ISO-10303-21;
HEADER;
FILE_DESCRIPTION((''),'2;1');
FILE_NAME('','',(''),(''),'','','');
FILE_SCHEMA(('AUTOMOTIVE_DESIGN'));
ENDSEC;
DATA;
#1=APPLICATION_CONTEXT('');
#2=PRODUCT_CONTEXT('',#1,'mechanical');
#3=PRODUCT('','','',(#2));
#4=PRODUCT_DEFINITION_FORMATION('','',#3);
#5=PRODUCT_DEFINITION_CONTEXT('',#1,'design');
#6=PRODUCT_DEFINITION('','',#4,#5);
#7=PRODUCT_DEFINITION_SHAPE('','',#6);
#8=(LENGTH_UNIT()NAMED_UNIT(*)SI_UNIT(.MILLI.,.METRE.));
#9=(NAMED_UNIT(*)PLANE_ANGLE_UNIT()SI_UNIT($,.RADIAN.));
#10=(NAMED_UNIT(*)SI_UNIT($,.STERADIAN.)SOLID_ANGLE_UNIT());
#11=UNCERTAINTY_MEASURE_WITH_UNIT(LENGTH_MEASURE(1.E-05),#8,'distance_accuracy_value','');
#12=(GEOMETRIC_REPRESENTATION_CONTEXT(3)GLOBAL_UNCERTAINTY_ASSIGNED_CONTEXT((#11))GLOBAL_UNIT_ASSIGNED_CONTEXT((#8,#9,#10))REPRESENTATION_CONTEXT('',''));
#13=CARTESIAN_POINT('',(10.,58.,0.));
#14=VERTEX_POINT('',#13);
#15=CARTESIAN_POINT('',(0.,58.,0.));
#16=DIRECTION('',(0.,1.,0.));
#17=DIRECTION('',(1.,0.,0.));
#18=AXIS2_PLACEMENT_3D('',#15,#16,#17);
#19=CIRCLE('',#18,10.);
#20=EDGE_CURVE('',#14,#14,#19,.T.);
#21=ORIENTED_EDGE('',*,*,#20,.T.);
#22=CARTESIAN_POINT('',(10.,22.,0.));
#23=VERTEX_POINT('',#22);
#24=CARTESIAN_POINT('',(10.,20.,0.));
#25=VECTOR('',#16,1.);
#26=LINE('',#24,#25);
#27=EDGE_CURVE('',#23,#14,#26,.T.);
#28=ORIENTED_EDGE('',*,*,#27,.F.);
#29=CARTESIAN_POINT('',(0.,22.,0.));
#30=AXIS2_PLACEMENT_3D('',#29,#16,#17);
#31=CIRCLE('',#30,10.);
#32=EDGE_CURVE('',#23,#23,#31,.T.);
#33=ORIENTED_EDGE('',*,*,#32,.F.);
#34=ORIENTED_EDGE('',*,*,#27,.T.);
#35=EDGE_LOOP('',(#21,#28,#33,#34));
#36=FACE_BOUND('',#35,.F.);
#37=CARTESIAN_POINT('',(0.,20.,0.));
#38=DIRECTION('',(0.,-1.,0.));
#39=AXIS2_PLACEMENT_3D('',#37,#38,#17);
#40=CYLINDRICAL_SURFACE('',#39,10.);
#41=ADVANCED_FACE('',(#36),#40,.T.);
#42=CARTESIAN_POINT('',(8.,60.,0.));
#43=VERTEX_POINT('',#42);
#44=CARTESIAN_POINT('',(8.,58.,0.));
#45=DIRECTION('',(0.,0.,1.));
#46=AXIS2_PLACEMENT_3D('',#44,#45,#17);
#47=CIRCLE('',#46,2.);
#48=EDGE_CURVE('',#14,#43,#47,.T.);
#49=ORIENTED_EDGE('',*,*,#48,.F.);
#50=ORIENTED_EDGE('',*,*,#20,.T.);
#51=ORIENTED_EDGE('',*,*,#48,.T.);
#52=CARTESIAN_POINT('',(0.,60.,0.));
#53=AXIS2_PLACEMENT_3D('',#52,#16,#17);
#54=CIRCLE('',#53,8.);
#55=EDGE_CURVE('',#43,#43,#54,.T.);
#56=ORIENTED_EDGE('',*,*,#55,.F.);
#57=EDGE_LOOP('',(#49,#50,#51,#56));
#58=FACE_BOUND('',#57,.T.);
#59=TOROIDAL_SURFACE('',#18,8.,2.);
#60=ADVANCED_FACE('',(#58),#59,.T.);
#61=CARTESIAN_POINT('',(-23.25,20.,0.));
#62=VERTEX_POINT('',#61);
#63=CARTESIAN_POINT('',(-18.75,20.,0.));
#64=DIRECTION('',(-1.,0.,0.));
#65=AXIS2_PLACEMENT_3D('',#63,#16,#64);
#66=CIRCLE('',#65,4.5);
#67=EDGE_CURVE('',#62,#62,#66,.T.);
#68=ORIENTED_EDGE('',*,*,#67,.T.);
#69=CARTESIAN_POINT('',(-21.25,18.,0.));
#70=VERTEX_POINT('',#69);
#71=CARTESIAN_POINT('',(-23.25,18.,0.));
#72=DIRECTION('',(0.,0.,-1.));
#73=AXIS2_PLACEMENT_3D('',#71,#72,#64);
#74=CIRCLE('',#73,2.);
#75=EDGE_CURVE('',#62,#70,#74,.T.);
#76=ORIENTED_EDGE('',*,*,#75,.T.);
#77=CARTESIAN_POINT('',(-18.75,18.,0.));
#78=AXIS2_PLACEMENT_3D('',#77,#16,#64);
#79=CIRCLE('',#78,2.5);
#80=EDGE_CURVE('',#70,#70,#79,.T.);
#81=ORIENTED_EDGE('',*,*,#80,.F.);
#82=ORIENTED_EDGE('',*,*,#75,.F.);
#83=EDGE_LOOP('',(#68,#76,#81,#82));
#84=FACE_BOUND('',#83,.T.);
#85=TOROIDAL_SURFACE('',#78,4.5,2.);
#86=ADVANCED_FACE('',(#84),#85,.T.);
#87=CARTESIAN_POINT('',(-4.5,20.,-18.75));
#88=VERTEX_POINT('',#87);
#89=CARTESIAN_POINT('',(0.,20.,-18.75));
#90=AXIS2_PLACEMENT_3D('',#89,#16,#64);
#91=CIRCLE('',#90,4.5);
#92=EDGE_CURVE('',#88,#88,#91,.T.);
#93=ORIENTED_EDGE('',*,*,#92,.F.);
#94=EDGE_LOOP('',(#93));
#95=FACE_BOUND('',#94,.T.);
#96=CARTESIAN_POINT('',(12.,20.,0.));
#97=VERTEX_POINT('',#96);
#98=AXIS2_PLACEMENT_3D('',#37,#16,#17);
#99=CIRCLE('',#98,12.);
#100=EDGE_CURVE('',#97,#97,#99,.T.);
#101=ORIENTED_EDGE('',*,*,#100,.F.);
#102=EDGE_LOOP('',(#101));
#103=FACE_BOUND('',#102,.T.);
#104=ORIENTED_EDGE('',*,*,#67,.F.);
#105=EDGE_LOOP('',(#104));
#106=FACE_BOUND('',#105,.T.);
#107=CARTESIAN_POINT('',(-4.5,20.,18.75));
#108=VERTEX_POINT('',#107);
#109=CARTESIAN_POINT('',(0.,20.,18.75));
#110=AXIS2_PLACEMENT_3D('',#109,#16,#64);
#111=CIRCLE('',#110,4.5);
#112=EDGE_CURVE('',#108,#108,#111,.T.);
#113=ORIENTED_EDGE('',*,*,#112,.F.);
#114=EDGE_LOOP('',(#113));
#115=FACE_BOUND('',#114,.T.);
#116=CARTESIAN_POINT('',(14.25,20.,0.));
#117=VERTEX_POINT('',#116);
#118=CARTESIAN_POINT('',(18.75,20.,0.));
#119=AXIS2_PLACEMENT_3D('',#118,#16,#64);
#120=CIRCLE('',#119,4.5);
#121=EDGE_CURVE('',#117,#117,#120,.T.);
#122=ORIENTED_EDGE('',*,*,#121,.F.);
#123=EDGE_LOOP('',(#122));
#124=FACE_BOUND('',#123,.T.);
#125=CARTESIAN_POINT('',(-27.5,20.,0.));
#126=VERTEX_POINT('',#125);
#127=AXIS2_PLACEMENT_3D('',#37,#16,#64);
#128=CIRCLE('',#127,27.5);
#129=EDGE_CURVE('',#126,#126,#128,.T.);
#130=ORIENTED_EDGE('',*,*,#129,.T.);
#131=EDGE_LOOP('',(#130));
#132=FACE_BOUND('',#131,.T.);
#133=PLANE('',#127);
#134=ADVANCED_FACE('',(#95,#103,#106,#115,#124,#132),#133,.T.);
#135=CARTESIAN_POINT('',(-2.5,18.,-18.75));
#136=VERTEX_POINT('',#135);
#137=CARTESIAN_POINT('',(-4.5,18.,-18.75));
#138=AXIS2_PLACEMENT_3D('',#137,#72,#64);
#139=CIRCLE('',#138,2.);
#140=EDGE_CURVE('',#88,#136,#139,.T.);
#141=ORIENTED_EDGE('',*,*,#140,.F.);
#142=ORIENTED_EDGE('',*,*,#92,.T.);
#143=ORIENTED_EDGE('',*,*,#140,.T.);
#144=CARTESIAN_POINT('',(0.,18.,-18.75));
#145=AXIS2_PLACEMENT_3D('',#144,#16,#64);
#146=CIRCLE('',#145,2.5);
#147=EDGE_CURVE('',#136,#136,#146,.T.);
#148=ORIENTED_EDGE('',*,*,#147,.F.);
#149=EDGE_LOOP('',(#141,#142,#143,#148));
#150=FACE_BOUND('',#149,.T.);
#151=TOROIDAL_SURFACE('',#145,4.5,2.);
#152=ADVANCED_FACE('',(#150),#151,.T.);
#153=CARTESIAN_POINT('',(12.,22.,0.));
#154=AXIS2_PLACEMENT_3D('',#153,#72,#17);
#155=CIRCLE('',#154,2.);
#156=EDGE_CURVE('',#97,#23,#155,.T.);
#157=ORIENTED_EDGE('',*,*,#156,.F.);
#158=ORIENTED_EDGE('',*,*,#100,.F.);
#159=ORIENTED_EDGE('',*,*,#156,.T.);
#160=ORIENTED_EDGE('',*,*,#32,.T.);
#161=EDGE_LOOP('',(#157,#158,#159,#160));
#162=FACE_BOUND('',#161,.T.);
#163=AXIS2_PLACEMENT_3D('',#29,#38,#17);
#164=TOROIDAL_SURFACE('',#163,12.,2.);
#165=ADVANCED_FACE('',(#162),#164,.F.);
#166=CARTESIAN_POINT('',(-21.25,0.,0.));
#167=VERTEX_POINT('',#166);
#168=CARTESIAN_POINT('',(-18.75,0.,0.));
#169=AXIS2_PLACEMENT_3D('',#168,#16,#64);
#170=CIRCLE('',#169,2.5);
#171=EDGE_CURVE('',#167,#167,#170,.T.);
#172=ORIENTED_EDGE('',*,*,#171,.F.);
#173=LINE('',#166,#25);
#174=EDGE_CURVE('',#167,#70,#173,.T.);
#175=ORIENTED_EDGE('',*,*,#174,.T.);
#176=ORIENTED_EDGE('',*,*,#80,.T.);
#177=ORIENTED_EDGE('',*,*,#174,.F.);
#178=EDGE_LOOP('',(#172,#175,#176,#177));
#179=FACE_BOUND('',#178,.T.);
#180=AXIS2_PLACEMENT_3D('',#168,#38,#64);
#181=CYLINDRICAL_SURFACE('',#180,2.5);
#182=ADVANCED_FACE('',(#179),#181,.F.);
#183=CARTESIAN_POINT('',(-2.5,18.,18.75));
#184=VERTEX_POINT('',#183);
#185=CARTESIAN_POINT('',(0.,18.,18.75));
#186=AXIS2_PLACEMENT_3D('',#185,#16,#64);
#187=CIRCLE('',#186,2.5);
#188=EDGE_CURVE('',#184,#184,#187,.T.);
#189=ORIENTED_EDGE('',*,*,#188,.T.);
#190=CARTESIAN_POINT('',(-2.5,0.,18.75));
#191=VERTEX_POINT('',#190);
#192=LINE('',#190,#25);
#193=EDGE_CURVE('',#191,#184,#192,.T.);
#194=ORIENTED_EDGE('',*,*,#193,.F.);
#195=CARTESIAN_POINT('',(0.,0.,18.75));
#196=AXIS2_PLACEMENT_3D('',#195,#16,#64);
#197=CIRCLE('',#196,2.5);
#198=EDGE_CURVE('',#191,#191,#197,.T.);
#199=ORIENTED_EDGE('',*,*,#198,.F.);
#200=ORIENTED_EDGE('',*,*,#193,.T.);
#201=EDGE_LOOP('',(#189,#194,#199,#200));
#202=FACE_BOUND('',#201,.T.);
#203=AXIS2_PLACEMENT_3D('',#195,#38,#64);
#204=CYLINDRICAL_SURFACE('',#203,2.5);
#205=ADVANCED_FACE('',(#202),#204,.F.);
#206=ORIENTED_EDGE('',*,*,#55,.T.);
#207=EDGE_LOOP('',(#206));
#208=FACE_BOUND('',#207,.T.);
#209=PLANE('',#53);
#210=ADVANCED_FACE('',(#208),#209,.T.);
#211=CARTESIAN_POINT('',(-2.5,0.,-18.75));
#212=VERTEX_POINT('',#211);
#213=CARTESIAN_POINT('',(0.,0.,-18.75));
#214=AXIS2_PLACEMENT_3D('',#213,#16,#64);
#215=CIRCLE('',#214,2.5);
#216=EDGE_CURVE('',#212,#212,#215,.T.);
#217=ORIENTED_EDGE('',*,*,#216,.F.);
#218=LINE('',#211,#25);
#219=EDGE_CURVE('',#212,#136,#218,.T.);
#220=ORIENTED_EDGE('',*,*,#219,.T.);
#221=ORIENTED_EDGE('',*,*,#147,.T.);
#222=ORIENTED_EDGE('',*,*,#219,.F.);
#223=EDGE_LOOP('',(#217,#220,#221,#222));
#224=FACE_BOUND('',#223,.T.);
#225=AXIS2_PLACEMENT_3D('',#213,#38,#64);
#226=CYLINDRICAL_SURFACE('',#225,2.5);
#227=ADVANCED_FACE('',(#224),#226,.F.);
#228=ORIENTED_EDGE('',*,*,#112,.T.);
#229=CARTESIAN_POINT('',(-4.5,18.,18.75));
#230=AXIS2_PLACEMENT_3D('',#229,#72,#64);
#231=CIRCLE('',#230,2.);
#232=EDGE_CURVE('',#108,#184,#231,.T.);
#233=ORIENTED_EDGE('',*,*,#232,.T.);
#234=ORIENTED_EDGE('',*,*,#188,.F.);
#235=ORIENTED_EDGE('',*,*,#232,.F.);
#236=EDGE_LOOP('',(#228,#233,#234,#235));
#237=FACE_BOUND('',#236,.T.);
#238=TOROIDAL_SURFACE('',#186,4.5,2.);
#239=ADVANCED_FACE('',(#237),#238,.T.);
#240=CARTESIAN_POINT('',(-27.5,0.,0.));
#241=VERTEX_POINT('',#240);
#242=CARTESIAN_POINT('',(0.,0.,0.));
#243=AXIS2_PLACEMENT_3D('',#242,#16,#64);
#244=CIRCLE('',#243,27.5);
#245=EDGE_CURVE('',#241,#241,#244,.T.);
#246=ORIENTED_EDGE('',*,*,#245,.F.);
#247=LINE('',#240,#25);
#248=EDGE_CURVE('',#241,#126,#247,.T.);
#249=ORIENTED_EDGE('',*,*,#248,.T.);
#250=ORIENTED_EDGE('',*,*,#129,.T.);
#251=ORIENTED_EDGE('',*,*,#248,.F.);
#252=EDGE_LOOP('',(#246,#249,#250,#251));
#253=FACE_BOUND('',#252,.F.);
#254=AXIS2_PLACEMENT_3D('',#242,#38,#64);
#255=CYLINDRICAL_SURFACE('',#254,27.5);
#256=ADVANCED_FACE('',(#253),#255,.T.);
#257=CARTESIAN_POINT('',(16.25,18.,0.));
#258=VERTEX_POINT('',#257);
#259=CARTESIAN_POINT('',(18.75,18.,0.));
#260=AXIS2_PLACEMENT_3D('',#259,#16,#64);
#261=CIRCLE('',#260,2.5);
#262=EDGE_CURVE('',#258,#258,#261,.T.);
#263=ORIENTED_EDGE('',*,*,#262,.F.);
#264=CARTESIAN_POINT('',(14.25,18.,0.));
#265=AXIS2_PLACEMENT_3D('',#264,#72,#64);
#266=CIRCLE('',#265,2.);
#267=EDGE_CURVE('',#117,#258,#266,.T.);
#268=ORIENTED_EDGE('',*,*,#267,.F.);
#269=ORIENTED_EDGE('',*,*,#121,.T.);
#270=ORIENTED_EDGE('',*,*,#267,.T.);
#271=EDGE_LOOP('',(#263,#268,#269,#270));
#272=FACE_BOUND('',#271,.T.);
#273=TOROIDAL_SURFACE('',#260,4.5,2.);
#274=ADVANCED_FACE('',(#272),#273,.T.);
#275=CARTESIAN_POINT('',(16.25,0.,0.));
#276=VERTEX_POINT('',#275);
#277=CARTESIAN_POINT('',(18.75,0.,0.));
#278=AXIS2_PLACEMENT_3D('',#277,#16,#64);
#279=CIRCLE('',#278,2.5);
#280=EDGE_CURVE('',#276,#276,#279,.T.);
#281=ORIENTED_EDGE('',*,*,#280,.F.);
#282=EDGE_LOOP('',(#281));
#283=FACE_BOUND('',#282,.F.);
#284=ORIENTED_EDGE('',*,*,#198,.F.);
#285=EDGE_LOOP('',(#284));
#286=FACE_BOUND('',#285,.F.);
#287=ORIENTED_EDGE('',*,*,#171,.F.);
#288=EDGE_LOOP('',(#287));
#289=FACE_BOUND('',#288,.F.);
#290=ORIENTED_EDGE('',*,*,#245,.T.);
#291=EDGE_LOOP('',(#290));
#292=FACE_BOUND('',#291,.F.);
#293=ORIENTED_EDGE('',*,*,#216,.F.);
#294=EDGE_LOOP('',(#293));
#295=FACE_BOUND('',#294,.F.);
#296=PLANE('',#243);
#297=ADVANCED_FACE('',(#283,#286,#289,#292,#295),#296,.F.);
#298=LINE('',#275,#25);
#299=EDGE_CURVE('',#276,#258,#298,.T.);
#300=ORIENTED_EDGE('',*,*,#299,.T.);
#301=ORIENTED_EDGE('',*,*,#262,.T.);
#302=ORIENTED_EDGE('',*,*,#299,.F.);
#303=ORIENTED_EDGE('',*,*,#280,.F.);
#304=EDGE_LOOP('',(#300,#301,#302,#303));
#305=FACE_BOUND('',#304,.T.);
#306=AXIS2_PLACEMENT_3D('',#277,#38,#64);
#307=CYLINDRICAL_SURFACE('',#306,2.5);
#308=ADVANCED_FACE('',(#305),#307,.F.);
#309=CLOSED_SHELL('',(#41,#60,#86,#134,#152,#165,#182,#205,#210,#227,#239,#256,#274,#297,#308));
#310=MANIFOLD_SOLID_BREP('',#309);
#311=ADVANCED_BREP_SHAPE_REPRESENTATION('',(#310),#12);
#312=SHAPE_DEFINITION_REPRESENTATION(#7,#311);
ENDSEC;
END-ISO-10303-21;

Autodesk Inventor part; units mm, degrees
ref_plane "YZ Plane" through (0, 0, 0) normal (1, 0, 0) x (0, 1, 0)
ref_plane "XZ Plane" through (0, 0, 0) normal (0, 1, 0) x (-1, 0, 0)
ref_plane "XY Plane" through (0, 0, 0) normal (0, 0, 1) x (1, 0, 0)
sketch "Sketch3" plane through (0, 0, 0) normal (0, 1, 0) x (-1, 0, 0)
  circle A0 centre (0, 0) radius 27.5
  circle A1 centre (18.75, 0) radius 2.5
  circle A2 centre (0, -18.75) radius 2.5
  circle A3 centre (-18.75, 0) radius 2.5
  circle A4 centre (0, 18.75) radius 2.5
  dimension "d15" = 55
  dimension "d17" = 5
  dimension "d18" = 5
  dimension "d19" = 5
  dimension "d20" = 5
extrude "Extrusion3" add sketch "Sketch3" along normal blind 20
sketch "Sketch4" plane through (0, 20, 0) normal (0, 1, 0) x (1, 0, 0)
  circle A0 centre (0, 0) radius 10
  dimension "d23" = 20
extrude "Extrusion4" add sketch "Sketch4" along normal blind 40
fillet "Fillet5" radius 2 6 edges at (-10, 60, 0) (21.25, 20, 0) (2.5, 20, -18.75) (-16.25, 20, 0) (2.5, 20, 18.75) (-10, 20, 0)
thread "Thread2" size "M55x4" class "6g" standard "ANSI Metric M Profile" full length
properties part number "Disco2"
